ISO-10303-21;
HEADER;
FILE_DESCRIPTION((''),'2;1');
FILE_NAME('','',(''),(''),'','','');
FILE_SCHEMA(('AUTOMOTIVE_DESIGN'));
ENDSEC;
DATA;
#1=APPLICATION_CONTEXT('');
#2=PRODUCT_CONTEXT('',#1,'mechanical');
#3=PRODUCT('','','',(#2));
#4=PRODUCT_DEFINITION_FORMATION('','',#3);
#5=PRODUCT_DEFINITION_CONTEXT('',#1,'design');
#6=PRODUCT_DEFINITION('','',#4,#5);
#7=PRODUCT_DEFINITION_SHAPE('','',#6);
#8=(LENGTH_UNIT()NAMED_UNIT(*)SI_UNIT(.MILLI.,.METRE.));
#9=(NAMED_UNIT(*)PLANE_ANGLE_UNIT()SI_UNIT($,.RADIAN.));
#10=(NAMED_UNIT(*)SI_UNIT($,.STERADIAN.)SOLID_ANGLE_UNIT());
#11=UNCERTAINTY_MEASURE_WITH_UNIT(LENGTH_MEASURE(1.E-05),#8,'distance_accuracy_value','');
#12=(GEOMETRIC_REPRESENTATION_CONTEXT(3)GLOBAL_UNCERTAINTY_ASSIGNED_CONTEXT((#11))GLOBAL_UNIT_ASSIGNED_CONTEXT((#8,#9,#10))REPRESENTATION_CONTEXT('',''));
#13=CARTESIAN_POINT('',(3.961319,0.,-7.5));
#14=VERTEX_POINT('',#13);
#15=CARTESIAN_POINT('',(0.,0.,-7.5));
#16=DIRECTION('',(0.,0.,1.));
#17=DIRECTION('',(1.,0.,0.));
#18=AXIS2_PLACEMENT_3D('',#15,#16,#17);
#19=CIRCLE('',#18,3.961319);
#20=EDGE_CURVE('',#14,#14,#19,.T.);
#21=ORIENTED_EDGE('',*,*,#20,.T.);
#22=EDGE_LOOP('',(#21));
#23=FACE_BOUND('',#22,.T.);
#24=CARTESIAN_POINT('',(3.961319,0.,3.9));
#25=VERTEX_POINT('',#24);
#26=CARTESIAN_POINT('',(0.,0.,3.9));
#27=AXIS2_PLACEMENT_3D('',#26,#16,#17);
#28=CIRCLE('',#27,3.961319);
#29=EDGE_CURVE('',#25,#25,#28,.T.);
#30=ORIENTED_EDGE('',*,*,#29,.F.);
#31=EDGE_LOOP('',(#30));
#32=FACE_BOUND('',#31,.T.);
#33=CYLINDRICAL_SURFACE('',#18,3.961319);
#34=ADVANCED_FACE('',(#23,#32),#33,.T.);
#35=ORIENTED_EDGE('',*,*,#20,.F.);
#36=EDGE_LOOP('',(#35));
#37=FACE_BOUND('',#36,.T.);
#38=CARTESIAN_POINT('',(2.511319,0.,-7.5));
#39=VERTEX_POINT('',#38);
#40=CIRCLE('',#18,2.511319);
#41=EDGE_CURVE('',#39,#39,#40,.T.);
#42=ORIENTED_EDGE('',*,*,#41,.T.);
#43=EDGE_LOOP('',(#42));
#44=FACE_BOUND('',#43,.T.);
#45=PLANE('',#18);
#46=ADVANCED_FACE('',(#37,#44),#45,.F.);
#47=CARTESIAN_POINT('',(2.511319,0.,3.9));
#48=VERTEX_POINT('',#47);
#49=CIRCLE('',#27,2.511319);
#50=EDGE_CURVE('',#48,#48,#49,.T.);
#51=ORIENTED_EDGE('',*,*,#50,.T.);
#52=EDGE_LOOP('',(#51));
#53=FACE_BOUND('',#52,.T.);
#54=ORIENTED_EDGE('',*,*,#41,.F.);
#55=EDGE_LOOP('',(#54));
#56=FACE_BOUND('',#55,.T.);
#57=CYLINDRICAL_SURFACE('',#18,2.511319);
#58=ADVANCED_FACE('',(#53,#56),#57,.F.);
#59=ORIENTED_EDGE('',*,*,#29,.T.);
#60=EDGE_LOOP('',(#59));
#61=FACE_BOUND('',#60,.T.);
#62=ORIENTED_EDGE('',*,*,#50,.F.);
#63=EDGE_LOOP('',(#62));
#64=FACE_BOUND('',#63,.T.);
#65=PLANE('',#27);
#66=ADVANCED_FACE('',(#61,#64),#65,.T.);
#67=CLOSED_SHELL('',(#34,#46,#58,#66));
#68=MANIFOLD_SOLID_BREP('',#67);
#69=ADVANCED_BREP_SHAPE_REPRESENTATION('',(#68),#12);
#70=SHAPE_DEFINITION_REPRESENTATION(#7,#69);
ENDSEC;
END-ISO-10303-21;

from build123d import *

# Parameters (mm, degrees)
EXTRUDE_1_DEPTH      = 3.9
EXTRUDE_1_DEPTH_BACK = 7.5
SKETCH_1_R           = 3.961318837
SKETCH_1_R_2         = 2.511318837


with BuildPart() as part:
    # 草图1 → 拉伸-薄壁1 (new, two sides: drawn at the far end of the back side and taken through both)
    with BuildSketch(Plane.XY.offset(-EXTRUDE_1_DEPTH_BACK)):
        Circle(SKETCH_1_R)
        Circle(SKETCH_1_R_2, mode=Mode.SUBTRACT)
    extrude(amount=EXTRUDE_1_DEPTH + EXTRUDE_1_DEPTH_BACK)


solid = part.part
